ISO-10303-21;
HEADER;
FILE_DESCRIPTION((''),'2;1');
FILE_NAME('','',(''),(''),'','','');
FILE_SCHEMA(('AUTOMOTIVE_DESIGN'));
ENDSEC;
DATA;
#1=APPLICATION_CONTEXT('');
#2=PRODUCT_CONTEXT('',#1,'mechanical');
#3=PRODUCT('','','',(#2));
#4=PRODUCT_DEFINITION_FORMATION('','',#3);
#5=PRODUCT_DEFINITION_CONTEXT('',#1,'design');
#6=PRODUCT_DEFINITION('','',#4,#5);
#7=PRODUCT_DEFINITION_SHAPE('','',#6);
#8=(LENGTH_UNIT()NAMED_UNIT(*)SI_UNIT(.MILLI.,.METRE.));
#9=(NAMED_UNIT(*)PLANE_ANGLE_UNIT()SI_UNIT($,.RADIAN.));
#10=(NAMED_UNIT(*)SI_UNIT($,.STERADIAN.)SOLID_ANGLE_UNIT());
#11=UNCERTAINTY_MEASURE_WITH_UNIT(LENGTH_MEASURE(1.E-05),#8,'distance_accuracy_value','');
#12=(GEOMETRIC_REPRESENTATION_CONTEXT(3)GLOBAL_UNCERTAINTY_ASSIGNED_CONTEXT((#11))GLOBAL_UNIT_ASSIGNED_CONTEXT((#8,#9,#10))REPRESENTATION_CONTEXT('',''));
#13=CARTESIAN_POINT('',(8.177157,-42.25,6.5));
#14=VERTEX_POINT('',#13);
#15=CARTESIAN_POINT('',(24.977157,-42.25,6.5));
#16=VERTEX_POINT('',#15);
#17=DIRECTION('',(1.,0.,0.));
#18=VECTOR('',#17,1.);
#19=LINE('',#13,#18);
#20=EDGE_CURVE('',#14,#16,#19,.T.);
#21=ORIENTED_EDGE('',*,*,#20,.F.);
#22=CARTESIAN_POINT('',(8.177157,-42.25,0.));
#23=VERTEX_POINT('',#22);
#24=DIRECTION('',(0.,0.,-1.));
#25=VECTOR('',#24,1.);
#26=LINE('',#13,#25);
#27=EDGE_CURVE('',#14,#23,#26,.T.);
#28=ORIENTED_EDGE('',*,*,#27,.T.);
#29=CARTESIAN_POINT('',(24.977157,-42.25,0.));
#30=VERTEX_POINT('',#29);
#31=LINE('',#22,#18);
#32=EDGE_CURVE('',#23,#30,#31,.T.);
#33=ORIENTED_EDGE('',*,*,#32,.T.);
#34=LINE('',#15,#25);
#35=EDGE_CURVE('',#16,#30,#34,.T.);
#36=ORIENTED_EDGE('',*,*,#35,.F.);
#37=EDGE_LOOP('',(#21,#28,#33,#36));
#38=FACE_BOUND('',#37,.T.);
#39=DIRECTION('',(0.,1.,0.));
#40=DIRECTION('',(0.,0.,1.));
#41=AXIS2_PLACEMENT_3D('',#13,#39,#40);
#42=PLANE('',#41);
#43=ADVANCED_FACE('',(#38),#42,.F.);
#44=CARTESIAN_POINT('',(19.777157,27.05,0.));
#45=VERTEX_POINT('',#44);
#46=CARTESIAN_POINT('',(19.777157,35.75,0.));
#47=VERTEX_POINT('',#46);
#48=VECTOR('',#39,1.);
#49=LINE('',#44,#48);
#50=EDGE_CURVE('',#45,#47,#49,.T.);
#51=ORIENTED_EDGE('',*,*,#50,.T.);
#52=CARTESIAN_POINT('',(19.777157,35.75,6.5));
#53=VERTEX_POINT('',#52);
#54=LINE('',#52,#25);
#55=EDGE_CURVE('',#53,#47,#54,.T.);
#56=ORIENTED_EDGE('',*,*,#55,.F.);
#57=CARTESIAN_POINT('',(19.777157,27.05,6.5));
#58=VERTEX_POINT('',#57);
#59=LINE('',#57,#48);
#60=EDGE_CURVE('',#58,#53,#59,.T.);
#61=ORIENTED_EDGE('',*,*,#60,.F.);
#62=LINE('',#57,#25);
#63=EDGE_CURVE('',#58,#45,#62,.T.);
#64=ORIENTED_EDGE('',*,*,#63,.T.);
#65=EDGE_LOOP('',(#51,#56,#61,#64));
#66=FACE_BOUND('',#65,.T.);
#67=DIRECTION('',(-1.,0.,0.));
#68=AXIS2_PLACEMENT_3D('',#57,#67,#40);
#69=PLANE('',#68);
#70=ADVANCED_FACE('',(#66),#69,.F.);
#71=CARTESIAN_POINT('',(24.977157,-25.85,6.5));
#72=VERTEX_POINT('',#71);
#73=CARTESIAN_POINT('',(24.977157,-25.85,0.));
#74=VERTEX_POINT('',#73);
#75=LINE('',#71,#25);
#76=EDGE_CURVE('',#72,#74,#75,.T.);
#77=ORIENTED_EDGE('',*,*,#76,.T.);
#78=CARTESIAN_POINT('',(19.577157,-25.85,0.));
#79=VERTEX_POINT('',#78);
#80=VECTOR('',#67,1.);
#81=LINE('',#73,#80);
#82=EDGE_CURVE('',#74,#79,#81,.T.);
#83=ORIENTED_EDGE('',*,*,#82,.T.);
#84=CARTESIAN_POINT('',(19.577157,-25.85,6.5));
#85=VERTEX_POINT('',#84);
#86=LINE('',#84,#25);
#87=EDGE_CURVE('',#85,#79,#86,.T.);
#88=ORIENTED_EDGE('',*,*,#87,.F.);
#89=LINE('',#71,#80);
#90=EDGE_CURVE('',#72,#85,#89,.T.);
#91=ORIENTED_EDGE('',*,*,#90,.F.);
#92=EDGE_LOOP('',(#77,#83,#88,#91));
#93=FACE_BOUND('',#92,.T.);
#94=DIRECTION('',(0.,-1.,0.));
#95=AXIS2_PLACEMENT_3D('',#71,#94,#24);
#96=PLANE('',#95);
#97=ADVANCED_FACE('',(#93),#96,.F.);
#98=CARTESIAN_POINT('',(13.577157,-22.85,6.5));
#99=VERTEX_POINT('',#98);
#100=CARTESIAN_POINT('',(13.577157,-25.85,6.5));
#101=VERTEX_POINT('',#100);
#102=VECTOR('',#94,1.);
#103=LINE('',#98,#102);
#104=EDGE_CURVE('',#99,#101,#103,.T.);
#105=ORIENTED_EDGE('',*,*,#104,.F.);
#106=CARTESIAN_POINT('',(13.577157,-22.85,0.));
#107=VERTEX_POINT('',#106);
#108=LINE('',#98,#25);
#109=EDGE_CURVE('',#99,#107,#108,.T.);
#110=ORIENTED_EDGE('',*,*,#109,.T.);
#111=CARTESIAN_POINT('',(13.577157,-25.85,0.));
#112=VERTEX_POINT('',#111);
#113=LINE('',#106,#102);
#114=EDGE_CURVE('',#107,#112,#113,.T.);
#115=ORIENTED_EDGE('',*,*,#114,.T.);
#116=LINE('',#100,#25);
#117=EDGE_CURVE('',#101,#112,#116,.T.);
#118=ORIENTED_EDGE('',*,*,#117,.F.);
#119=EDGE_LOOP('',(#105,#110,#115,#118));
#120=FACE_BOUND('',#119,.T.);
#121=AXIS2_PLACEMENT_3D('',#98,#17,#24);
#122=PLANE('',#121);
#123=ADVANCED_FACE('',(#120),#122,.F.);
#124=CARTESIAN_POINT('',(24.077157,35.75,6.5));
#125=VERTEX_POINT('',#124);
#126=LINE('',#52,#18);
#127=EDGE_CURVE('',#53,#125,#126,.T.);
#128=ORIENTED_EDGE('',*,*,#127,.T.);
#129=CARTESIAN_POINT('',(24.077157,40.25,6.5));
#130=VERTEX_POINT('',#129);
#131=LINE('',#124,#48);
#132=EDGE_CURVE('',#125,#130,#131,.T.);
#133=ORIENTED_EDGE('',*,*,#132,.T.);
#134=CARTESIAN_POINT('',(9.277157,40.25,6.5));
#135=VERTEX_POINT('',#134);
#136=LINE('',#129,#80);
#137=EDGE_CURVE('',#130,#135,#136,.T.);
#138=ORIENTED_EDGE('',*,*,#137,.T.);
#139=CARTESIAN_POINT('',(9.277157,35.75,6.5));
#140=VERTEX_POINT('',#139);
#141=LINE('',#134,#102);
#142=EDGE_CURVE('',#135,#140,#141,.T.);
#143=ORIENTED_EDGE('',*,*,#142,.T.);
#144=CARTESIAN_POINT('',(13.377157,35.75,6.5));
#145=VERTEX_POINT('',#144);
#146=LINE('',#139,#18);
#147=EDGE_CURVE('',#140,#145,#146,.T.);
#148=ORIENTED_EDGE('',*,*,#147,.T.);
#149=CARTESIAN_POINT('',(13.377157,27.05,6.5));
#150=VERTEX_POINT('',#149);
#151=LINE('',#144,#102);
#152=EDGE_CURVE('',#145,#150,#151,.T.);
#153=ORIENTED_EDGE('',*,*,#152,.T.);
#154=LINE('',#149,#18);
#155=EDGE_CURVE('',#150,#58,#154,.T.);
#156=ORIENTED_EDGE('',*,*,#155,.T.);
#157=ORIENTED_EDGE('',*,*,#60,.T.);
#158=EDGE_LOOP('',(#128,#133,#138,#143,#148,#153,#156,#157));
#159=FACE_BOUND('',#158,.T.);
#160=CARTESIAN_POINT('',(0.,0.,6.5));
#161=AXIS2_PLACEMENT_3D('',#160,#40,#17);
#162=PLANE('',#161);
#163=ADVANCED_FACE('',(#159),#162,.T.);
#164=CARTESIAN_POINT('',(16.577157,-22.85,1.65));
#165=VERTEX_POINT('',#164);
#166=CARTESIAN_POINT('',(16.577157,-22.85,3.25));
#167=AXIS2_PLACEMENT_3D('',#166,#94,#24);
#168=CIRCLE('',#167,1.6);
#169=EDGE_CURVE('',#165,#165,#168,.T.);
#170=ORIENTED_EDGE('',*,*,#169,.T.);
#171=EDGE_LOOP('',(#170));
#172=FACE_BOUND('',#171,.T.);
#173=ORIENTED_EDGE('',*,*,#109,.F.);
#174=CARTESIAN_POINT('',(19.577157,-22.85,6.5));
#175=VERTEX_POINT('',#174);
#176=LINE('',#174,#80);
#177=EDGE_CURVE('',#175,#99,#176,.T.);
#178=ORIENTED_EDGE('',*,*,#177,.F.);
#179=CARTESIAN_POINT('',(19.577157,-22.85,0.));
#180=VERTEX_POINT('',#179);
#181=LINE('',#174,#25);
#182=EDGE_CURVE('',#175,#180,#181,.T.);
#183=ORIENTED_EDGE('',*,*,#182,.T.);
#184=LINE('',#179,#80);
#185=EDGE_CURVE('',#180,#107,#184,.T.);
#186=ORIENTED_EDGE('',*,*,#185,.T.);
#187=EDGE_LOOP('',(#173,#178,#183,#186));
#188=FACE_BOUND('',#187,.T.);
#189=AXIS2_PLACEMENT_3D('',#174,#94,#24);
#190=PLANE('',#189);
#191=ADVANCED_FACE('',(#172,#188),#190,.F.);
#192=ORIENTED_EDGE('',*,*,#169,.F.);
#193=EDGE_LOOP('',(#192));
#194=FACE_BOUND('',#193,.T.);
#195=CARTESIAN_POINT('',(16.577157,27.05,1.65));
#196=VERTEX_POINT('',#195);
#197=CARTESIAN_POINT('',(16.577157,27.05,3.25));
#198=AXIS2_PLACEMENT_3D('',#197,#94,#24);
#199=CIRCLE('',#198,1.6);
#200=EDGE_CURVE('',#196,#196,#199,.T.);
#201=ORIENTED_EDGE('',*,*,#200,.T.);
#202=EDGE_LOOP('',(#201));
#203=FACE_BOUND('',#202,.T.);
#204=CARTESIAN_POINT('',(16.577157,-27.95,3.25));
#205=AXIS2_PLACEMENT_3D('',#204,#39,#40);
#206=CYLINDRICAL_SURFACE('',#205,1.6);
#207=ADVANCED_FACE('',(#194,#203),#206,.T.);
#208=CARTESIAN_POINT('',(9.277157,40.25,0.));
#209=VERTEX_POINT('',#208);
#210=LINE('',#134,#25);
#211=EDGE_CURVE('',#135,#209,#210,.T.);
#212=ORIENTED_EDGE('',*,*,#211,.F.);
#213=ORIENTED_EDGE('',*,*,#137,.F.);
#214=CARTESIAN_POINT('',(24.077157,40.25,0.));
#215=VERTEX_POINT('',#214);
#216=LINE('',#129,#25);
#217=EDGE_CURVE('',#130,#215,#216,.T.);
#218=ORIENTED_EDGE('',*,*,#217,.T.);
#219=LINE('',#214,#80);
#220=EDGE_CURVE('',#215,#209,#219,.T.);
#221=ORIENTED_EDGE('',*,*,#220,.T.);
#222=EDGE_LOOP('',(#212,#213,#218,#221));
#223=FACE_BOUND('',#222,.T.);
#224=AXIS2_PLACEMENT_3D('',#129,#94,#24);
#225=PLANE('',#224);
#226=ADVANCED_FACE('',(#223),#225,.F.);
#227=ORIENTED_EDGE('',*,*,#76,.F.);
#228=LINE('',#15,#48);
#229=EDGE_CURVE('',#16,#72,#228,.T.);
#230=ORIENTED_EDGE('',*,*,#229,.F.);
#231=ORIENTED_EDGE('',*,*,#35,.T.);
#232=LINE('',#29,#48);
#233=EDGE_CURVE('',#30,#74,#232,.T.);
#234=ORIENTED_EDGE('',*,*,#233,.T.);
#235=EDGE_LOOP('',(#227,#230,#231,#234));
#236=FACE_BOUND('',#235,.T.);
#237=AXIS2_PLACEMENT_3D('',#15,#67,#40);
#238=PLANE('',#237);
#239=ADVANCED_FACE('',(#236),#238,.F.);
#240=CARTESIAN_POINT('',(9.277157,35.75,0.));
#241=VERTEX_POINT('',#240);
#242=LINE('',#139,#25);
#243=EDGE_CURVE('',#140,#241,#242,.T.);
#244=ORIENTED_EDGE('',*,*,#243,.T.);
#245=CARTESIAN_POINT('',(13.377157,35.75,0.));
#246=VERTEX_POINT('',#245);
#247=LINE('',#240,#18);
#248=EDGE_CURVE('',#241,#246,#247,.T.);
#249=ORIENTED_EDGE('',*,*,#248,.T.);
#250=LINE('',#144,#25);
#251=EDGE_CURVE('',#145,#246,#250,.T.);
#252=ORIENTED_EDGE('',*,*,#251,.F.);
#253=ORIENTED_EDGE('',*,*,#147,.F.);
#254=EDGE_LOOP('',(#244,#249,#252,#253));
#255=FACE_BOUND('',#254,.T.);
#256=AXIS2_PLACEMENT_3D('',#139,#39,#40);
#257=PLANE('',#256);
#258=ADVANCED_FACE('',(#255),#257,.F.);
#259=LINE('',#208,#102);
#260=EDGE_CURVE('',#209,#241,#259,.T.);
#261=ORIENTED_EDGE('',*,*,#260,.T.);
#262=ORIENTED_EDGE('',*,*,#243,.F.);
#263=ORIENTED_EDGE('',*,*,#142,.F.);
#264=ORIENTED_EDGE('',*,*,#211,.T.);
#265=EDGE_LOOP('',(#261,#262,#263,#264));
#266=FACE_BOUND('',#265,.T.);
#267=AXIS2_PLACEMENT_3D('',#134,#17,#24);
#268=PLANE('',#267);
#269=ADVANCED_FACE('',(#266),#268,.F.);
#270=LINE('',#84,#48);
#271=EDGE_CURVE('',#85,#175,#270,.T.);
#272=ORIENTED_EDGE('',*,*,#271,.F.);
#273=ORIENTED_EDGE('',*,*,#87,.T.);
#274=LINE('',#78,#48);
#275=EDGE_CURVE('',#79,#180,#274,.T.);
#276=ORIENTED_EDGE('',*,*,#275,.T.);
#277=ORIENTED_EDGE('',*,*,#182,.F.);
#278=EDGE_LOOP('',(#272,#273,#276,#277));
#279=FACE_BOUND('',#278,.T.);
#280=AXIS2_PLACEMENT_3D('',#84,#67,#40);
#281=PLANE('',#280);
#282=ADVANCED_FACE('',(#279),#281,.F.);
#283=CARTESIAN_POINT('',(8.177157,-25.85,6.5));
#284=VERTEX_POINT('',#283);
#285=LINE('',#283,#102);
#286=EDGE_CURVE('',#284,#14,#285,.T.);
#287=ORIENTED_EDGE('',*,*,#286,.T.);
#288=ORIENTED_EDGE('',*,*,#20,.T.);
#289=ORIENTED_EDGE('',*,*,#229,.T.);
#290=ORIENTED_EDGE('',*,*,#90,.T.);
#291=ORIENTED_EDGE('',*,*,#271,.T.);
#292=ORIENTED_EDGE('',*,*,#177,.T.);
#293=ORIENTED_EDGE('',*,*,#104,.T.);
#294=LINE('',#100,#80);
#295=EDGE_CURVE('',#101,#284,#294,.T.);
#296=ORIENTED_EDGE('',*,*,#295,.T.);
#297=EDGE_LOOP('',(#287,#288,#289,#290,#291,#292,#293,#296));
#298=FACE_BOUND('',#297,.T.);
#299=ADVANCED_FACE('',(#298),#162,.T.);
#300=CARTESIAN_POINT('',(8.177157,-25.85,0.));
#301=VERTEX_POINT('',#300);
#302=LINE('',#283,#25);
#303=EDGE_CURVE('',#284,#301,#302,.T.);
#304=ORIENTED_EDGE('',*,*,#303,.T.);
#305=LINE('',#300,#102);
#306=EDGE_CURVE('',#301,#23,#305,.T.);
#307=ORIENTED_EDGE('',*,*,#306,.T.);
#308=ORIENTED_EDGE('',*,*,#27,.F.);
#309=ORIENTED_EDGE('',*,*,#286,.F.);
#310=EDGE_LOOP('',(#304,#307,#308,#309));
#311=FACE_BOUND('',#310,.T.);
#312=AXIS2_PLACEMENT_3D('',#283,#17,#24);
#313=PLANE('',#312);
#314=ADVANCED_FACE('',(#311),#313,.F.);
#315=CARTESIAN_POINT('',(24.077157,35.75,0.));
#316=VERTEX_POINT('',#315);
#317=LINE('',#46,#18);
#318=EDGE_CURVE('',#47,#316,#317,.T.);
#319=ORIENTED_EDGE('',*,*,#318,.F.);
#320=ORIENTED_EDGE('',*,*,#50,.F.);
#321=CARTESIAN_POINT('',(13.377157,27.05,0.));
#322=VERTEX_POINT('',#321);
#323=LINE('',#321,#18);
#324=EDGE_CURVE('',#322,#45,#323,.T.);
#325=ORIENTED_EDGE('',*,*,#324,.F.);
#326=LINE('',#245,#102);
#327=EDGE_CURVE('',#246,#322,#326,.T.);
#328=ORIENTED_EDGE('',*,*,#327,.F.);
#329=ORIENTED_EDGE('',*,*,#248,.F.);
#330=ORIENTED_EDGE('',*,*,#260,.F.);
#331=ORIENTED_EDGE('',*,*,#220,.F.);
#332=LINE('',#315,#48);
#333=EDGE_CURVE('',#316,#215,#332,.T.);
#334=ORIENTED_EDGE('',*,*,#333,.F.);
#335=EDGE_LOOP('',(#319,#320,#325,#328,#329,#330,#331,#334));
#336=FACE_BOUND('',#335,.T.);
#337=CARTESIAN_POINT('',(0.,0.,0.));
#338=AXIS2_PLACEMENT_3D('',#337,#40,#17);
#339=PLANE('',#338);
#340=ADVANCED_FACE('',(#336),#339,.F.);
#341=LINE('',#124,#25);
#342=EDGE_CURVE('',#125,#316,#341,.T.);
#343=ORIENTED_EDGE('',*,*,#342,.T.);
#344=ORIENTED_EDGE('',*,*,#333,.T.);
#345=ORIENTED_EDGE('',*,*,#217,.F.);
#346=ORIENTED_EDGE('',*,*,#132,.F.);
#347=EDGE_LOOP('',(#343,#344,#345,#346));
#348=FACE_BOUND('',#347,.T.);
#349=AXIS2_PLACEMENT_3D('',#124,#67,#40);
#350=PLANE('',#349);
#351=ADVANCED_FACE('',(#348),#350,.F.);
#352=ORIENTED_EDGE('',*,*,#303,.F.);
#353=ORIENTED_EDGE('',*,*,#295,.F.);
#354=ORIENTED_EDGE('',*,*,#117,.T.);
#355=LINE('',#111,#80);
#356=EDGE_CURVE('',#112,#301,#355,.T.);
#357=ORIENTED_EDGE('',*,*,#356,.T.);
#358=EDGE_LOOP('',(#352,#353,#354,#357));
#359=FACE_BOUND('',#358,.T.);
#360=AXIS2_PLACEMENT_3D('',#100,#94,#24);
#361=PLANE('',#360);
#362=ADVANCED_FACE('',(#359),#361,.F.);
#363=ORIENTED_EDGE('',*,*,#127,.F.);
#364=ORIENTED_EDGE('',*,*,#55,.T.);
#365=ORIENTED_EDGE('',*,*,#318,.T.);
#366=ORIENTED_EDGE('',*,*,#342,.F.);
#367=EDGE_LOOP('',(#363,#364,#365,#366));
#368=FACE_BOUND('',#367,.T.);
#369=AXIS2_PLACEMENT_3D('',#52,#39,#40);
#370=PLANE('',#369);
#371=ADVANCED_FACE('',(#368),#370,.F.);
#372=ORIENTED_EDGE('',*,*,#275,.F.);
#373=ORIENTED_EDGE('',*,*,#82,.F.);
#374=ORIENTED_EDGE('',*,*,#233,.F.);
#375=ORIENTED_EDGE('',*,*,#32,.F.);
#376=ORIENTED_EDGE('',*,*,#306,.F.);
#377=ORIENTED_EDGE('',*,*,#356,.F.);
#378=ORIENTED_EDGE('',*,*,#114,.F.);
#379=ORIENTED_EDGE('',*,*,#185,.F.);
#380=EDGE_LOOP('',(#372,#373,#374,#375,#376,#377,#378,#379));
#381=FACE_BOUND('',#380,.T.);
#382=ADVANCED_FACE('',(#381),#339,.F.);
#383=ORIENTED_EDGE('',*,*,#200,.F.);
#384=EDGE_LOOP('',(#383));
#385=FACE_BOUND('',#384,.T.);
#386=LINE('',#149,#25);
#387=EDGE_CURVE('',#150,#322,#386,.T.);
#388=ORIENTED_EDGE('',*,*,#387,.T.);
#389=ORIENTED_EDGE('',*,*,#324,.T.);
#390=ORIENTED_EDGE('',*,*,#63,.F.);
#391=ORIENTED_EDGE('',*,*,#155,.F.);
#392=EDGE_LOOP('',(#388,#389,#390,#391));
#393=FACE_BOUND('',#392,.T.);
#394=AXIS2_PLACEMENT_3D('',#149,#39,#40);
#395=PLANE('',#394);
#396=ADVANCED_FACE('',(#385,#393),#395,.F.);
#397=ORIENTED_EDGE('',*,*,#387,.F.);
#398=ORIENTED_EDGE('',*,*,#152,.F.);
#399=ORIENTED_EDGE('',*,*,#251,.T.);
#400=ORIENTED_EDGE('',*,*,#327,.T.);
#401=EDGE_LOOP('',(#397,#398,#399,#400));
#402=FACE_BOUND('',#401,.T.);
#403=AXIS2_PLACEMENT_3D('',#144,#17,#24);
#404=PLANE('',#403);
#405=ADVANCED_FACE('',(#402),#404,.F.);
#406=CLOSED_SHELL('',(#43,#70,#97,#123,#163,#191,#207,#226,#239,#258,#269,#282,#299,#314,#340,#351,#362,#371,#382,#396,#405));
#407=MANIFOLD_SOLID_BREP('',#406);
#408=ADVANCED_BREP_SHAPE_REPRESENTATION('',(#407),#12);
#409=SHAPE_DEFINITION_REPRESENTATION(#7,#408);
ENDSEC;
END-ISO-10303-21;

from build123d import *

# Parameters (mm, degrees)
BOSS_EXTRUDE1_DEPTH = 6.5
BOSS_EXTRUDE2_DEPTH = 6.5
SKETCH2_R           = 1.6
BOSS_EXTRUDE3_DEPTH = 55


with BuildPart() as part:
    # Sketch1 → Boss-Extrude1 (new body)
    with BuildSketch(Plane.XY):
        Polygon((9.277156847, 35.75), (13.377156847, 35.75), (13.377156847, 27.05), (19.777156847, 27.05), (19.777156847, 35.75), (24.077156847, 35.75), (24.077156847, 40.25), (9.277156847, 40.25), align=None)
    extrude(amount=BOSS_EXTRUDE1_DEPTH)



with BuildPart() as body_2:
    # Sketch1<6> → Boss-Extrude2 (new body)
    with BuildSketch(Plane.XY):
        Polygon((8.177156847, -42.25), (24.977156847, -42.25), (24.977156847, -25.85), (19.577156847, -25.85), (19.577156847, -22.85), (13.577156847, -22.85), (13.577156847, -25.85), (8.177156847, -25.85), align=None)
    extrude(amount=BOSS_EXTRUDE2_DEPTH)


with BuildPart() as part_1:
    add(part.part)

    add(body_2.part)  # Boss-Extrude3 merges body 2
    # Sketch2 → Boss-Extrude3 (add)
    with BuildSketch(Plane.XZ.offset(-27.05)):
        with Locations((16.577156847, 3.25)):
            Circle(SKETCH2_R)
    extrude(amount=BOSS_EXTRUDE3_DEPTH)


solid = part_1.part
